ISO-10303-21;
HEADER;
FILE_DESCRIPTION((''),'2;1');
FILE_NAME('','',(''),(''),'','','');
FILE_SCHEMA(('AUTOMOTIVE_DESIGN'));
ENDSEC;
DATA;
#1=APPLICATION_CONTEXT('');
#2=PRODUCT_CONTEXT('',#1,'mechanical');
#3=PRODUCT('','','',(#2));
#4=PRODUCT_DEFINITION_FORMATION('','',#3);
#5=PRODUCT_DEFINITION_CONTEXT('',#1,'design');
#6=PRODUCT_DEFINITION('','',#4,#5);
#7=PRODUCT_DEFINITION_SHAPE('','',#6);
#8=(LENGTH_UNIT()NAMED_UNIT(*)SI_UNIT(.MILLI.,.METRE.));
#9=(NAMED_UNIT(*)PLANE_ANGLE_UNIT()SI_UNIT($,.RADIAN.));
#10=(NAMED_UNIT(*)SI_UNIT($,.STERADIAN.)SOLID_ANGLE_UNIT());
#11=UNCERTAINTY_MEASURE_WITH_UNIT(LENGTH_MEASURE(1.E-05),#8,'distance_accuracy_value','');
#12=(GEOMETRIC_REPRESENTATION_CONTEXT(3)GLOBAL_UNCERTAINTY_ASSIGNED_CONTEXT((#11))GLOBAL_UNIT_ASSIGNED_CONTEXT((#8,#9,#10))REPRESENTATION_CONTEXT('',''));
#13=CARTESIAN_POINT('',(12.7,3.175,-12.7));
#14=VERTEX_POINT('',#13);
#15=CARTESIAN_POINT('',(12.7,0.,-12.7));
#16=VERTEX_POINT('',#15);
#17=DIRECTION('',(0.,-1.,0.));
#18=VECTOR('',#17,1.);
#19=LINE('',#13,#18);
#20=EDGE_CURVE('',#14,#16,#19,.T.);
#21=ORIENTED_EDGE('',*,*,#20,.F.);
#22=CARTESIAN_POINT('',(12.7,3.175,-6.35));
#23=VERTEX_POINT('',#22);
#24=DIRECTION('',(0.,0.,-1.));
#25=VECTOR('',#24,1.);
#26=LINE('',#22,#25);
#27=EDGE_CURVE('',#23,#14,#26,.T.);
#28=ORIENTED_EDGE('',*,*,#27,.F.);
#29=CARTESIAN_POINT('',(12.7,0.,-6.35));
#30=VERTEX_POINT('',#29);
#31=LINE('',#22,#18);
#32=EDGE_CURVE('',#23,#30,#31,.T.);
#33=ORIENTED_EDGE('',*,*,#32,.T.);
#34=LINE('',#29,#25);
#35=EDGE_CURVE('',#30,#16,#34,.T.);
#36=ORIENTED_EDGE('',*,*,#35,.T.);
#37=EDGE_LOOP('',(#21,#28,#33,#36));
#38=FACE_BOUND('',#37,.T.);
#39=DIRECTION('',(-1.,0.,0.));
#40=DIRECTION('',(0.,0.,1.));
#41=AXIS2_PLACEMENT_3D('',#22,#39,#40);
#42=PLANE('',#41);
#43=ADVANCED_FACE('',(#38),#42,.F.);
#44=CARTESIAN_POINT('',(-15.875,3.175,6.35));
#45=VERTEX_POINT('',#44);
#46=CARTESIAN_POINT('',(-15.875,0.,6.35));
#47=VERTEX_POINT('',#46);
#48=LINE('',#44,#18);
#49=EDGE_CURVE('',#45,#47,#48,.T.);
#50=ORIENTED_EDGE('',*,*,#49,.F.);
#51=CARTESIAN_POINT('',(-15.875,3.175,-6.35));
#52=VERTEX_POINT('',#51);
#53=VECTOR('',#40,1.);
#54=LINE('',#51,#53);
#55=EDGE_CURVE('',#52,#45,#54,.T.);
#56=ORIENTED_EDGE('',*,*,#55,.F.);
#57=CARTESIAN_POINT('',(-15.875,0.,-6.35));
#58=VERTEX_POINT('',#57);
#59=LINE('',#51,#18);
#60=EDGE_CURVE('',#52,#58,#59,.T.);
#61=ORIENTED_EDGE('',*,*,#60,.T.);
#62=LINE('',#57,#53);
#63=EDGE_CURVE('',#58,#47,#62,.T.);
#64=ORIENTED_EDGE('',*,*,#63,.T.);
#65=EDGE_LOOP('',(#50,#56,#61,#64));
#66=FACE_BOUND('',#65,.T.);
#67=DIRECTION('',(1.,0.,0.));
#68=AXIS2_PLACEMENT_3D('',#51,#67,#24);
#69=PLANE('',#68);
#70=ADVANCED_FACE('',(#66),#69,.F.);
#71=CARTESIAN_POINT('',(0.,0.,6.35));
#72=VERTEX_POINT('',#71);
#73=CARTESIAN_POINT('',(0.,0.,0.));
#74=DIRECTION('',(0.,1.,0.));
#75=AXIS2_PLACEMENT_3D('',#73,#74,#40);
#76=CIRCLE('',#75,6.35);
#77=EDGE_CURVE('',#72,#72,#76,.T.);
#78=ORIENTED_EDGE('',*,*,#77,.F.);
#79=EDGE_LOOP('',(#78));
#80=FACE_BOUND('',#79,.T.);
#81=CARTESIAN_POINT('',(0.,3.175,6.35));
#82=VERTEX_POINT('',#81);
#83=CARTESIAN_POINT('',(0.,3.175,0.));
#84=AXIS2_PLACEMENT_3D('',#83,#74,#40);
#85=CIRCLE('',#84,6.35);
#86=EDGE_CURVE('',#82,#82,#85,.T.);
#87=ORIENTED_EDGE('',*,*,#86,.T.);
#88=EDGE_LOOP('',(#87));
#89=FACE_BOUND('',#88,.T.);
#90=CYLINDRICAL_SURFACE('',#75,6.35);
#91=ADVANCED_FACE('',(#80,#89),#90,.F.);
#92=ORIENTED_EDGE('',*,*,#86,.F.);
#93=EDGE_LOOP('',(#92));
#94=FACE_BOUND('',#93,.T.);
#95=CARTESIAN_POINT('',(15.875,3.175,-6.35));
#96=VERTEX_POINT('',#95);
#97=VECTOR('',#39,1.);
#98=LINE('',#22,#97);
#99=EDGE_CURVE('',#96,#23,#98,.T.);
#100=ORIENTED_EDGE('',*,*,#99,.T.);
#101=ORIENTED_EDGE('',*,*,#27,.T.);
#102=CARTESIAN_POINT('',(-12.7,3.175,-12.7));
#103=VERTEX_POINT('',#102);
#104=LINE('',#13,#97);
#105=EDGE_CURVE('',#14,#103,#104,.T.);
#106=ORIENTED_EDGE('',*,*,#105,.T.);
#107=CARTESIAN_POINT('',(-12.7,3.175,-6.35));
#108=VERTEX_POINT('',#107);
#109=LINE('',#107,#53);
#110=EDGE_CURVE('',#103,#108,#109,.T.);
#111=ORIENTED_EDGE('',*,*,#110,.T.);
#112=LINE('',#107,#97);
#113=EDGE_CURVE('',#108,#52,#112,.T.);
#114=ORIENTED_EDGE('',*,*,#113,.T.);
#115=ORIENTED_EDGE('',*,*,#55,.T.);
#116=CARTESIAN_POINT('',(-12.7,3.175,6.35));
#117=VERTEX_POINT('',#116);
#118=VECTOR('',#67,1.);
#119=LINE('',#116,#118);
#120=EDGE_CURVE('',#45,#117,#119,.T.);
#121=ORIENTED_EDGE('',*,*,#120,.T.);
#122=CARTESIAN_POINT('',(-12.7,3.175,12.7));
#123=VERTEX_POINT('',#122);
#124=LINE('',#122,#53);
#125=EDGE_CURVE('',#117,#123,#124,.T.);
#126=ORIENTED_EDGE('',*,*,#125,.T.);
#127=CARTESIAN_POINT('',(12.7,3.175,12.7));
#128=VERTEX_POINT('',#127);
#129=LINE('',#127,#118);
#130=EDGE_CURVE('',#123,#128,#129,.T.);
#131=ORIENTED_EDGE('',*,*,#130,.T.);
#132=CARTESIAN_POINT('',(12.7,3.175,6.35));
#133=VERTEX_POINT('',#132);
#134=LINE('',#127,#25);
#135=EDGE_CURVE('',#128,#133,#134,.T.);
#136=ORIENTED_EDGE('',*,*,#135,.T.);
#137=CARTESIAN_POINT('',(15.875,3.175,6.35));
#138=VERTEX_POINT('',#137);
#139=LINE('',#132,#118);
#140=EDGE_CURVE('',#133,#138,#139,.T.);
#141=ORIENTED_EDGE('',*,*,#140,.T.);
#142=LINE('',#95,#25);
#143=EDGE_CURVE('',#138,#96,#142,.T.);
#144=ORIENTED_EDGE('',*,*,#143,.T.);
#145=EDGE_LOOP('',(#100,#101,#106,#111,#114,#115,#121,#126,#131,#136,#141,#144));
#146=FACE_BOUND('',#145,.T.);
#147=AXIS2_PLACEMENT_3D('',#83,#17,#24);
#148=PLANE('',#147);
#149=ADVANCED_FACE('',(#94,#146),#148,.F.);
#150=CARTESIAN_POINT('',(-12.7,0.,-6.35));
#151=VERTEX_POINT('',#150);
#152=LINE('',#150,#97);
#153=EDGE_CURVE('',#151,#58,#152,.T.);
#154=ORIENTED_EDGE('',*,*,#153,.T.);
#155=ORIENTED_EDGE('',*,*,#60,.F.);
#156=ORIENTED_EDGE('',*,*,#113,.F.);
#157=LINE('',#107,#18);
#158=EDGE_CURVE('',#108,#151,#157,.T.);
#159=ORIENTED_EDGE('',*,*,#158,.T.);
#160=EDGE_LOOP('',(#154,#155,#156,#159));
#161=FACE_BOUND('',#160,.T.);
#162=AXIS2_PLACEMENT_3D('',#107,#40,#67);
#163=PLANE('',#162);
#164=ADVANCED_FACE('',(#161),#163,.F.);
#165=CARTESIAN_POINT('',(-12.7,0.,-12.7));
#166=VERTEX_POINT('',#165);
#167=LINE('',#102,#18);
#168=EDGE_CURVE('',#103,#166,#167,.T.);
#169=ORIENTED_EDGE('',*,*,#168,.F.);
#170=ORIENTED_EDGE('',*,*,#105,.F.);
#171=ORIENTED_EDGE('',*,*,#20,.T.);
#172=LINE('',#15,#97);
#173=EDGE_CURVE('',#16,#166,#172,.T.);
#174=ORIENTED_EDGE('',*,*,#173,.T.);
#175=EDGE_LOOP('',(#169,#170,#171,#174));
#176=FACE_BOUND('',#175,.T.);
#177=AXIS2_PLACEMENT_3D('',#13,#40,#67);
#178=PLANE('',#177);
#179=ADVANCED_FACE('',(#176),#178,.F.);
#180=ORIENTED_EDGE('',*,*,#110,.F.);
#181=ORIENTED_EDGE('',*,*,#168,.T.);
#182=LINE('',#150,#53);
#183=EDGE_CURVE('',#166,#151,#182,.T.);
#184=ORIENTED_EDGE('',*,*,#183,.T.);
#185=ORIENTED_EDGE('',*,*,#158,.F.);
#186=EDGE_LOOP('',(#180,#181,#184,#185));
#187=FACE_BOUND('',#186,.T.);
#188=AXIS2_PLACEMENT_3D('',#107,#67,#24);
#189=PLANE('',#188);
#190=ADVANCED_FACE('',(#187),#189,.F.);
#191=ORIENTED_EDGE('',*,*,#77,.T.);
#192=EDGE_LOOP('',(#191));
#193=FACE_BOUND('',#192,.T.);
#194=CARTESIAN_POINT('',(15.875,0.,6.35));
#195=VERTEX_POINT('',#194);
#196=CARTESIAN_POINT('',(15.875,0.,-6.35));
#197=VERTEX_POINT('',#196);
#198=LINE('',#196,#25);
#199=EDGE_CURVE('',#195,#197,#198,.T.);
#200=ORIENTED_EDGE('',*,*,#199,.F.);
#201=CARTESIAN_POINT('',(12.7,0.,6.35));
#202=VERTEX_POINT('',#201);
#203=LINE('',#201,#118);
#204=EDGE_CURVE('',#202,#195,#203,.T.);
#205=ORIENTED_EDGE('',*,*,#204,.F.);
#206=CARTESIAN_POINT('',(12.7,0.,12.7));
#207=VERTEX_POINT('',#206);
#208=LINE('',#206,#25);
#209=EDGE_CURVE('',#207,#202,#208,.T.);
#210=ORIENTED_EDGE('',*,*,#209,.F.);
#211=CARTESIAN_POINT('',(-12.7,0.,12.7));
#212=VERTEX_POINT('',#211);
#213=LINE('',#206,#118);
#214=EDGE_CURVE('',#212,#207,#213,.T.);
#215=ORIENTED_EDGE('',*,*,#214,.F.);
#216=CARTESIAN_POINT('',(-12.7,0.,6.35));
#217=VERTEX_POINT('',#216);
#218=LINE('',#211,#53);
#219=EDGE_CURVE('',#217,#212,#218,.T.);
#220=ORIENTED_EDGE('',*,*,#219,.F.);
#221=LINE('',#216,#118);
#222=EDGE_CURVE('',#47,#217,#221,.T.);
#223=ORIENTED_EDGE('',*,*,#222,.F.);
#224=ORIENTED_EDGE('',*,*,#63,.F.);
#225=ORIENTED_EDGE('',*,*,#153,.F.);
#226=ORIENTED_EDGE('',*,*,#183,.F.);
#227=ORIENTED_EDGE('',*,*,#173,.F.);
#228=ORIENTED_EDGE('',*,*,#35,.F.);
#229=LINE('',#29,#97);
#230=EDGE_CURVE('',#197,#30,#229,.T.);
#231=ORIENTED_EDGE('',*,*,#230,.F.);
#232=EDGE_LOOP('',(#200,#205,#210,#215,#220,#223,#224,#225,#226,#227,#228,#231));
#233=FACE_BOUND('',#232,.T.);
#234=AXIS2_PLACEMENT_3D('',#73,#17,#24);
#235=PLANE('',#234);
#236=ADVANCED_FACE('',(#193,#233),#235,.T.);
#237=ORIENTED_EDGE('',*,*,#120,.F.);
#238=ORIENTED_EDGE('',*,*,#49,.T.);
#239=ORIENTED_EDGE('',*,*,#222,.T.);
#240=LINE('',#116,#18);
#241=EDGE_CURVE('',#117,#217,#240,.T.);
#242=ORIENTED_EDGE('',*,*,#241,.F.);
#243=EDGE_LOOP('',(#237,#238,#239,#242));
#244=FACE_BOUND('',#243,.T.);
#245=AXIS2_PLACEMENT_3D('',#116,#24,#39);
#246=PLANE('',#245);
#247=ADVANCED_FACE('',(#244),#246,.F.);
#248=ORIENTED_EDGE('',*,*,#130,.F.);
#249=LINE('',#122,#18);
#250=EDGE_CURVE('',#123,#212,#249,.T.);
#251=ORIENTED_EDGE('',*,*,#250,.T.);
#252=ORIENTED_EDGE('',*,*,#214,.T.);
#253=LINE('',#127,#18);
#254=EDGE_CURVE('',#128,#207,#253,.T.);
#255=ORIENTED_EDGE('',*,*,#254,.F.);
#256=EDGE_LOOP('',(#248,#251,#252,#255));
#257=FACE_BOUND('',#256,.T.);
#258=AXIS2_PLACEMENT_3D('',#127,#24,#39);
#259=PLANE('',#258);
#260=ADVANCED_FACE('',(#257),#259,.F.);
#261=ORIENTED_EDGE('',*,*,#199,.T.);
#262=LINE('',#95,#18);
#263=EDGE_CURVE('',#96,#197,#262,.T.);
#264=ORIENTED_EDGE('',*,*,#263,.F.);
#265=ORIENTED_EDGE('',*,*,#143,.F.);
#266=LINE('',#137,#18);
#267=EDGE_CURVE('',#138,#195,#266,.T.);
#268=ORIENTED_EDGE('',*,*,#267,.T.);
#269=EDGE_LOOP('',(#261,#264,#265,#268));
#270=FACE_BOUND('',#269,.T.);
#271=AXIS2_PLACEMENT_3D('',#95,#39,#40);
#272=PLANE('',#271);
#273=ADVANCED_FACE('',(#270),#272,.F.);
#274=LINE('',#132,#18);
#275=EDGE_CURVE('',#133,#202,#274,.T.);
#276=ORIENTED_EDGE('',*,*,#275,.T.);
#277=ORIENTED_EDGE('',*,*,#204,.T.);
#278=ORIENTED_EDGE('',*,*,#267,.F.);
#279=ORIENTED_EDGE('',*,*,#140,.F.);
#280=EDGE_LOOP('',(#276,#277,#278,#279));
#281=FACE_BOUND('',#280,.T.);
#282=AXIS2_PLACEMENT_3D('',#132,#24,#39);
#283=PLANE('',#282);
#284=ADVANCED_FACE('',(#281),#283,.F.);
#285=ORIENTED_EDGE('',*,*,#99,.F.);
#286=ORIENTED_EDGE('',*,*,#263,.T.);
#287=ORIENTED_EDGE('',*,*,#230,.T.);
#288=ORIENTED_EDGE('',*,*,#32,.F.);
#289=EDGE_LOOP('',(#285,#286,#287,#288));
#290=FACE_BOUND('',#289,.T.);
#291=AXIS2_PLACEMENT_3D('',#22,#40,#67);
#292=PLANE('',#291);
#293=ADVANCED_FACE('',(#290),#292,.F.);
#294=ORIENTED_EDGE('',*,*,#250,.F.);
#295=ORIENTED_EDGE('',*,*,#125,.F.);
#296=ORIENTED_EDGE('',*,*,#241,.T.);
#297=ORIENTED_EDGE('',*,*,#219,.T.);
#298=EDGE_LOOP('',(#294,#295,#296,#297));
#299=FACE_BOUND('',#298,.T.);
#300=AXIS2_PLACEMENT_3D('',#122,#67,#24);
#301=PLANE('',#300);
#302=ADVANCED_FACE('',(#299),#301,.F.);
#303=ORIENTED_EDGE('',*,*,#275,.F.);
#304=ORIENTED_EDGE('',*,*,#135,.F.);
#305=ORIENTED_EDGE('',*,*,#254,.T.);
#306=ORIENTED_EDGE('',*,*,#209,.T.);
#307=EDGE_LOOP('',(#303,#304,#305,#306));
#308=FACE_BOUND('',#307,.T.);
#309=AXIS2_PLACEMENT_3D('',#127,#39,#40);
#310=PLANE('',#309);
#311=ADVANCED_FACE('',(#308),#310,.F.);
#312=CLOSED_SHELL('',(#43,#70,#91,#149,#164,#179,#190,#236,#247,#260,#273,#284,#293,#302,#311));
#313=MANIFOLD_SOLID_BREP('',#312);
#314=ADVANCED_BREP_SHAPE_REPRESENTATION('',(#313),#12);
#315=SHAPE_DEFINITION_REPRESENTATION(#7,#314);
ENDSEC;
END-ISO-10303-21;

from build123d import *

# Parameters (mm, degrees)
BOSS_EXTRUDE1_DEPTH = 3.175
SKETCH2_R           = 6.35
CUT_EXTRUDE1_DEPTH  = 4.175


with BuildPart() as part:
    # Sketch1 → Boss-Extrude1 (new body)
    with BuildSketch(Plane(origin=(0, 0, 0), x_dir=(1, 0, 0), z_dir=(0, 1, 0))):
        Polygon((-12.7, 6.35), (-12.7, 12.7), (12.7, 12.7), (12.7, 6.35), (15.875, 6.35), (15.875, -6.35), (12.7, -6.35), (12.7, -12.7), (-12.7, -12.7), (-12.7, -6.35), (-15.875, -6.35), (-15.875, 6.35), align=None)
    extrude(amount=BOSS_EXTRUDE1_DEPTH)

    # Sketch2 → Cut-Extrude1 (cut, through all)
    with BuildSketch(Plane(origin=(0, 3.175, 0), x_dir=(1, 0, 0), z_dir=(0, 1, 0))):
        Circle(SKETCH2_R)
    extrude(amount=-CUT_EXTRUDE1_DEPTH, mode=Mode.SUBTRACT)


solid = part.part
